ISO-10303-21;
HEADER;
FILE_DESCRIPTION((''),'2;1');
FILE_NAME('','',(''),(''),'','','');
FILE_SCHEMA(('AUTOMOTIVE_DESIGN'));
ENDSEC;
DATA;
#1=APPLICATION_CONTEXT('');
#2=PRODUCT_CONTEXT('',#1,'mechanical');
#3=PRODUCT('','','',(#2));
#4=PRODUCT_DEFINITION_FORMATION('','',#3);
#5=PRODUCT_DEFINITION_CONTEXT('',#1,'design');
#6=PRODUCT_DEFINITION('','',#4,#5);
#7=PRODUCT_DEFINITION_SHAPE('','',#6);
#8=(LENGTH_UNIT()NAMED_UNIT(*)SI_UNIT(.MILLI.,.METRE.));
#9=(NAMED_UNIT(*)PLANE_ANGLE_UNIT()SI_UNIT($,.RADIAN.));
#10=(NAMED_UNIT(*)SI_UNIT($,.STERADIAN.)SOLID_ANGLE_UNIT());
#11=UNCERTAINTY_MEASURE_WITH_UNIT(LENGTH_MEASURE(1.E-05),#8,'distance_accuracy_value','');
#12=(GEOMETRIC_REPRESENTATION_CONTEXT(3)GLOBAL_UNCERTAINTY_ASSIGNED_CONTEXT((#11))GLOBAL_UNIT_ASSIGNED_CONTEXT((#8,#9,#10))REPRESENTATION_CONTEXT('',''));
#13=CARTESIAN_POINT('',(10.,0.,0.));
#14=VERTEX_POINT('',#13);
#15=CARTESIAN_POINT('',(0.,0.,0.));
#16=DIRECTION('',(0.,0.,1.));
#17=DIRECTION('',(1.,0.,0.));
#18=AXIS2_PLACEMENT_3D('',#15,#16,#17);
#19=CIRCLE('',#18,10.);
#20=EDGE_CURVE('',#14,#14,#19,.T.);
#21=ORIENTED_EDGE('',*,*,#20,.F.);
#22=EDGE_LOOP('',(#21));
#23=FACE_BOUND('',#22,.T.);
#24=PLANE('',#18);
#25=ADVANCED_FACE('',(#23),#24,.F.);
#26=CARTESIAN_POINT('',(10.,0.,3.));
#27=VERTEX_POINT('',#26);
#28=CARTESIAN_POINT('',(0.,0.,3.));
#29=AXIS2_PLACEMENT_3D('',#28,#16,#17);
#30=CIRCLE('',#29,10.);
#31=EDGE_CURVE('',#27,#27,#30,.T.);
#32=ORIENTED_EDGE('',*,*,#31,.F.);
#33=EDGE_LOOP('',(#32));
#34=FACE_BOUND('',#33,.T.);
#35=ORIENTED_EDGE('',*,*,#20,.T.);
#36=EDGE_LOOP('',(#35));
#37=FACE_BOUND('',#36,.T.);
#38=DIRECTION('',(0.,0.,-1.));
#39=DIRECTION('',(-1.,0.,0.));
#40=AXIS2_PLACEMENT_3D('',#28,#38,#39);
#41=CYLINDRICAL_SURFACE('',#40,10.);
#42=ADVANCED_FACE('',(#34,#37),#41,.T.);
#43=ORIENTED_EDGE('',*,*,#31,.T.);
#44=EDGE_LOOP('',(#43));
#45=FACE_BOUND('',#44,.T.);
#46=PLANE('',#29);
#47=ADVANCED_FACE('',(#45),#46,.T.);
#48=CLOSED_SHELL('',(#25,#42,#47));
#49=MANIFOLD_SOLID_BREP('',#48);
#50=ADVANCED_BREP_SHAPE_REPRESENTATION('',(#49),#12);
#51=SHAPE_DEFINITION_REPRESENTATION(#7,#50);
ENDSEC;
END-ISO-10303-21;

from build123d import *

# Parameters (mm, degrees)
SKETCH_1_R      = 10
EXTRUDE_1_DEPTH = 3


with BuildPart() as part:
    # 草图1 → 凸台-拉伸1 (new body)
    with BuildSketch(Plane.XY):
        Circle(SKETCH_1_R)
    extrude(amount=EXTRUDE_1_DEPTH)


solid = part.part
